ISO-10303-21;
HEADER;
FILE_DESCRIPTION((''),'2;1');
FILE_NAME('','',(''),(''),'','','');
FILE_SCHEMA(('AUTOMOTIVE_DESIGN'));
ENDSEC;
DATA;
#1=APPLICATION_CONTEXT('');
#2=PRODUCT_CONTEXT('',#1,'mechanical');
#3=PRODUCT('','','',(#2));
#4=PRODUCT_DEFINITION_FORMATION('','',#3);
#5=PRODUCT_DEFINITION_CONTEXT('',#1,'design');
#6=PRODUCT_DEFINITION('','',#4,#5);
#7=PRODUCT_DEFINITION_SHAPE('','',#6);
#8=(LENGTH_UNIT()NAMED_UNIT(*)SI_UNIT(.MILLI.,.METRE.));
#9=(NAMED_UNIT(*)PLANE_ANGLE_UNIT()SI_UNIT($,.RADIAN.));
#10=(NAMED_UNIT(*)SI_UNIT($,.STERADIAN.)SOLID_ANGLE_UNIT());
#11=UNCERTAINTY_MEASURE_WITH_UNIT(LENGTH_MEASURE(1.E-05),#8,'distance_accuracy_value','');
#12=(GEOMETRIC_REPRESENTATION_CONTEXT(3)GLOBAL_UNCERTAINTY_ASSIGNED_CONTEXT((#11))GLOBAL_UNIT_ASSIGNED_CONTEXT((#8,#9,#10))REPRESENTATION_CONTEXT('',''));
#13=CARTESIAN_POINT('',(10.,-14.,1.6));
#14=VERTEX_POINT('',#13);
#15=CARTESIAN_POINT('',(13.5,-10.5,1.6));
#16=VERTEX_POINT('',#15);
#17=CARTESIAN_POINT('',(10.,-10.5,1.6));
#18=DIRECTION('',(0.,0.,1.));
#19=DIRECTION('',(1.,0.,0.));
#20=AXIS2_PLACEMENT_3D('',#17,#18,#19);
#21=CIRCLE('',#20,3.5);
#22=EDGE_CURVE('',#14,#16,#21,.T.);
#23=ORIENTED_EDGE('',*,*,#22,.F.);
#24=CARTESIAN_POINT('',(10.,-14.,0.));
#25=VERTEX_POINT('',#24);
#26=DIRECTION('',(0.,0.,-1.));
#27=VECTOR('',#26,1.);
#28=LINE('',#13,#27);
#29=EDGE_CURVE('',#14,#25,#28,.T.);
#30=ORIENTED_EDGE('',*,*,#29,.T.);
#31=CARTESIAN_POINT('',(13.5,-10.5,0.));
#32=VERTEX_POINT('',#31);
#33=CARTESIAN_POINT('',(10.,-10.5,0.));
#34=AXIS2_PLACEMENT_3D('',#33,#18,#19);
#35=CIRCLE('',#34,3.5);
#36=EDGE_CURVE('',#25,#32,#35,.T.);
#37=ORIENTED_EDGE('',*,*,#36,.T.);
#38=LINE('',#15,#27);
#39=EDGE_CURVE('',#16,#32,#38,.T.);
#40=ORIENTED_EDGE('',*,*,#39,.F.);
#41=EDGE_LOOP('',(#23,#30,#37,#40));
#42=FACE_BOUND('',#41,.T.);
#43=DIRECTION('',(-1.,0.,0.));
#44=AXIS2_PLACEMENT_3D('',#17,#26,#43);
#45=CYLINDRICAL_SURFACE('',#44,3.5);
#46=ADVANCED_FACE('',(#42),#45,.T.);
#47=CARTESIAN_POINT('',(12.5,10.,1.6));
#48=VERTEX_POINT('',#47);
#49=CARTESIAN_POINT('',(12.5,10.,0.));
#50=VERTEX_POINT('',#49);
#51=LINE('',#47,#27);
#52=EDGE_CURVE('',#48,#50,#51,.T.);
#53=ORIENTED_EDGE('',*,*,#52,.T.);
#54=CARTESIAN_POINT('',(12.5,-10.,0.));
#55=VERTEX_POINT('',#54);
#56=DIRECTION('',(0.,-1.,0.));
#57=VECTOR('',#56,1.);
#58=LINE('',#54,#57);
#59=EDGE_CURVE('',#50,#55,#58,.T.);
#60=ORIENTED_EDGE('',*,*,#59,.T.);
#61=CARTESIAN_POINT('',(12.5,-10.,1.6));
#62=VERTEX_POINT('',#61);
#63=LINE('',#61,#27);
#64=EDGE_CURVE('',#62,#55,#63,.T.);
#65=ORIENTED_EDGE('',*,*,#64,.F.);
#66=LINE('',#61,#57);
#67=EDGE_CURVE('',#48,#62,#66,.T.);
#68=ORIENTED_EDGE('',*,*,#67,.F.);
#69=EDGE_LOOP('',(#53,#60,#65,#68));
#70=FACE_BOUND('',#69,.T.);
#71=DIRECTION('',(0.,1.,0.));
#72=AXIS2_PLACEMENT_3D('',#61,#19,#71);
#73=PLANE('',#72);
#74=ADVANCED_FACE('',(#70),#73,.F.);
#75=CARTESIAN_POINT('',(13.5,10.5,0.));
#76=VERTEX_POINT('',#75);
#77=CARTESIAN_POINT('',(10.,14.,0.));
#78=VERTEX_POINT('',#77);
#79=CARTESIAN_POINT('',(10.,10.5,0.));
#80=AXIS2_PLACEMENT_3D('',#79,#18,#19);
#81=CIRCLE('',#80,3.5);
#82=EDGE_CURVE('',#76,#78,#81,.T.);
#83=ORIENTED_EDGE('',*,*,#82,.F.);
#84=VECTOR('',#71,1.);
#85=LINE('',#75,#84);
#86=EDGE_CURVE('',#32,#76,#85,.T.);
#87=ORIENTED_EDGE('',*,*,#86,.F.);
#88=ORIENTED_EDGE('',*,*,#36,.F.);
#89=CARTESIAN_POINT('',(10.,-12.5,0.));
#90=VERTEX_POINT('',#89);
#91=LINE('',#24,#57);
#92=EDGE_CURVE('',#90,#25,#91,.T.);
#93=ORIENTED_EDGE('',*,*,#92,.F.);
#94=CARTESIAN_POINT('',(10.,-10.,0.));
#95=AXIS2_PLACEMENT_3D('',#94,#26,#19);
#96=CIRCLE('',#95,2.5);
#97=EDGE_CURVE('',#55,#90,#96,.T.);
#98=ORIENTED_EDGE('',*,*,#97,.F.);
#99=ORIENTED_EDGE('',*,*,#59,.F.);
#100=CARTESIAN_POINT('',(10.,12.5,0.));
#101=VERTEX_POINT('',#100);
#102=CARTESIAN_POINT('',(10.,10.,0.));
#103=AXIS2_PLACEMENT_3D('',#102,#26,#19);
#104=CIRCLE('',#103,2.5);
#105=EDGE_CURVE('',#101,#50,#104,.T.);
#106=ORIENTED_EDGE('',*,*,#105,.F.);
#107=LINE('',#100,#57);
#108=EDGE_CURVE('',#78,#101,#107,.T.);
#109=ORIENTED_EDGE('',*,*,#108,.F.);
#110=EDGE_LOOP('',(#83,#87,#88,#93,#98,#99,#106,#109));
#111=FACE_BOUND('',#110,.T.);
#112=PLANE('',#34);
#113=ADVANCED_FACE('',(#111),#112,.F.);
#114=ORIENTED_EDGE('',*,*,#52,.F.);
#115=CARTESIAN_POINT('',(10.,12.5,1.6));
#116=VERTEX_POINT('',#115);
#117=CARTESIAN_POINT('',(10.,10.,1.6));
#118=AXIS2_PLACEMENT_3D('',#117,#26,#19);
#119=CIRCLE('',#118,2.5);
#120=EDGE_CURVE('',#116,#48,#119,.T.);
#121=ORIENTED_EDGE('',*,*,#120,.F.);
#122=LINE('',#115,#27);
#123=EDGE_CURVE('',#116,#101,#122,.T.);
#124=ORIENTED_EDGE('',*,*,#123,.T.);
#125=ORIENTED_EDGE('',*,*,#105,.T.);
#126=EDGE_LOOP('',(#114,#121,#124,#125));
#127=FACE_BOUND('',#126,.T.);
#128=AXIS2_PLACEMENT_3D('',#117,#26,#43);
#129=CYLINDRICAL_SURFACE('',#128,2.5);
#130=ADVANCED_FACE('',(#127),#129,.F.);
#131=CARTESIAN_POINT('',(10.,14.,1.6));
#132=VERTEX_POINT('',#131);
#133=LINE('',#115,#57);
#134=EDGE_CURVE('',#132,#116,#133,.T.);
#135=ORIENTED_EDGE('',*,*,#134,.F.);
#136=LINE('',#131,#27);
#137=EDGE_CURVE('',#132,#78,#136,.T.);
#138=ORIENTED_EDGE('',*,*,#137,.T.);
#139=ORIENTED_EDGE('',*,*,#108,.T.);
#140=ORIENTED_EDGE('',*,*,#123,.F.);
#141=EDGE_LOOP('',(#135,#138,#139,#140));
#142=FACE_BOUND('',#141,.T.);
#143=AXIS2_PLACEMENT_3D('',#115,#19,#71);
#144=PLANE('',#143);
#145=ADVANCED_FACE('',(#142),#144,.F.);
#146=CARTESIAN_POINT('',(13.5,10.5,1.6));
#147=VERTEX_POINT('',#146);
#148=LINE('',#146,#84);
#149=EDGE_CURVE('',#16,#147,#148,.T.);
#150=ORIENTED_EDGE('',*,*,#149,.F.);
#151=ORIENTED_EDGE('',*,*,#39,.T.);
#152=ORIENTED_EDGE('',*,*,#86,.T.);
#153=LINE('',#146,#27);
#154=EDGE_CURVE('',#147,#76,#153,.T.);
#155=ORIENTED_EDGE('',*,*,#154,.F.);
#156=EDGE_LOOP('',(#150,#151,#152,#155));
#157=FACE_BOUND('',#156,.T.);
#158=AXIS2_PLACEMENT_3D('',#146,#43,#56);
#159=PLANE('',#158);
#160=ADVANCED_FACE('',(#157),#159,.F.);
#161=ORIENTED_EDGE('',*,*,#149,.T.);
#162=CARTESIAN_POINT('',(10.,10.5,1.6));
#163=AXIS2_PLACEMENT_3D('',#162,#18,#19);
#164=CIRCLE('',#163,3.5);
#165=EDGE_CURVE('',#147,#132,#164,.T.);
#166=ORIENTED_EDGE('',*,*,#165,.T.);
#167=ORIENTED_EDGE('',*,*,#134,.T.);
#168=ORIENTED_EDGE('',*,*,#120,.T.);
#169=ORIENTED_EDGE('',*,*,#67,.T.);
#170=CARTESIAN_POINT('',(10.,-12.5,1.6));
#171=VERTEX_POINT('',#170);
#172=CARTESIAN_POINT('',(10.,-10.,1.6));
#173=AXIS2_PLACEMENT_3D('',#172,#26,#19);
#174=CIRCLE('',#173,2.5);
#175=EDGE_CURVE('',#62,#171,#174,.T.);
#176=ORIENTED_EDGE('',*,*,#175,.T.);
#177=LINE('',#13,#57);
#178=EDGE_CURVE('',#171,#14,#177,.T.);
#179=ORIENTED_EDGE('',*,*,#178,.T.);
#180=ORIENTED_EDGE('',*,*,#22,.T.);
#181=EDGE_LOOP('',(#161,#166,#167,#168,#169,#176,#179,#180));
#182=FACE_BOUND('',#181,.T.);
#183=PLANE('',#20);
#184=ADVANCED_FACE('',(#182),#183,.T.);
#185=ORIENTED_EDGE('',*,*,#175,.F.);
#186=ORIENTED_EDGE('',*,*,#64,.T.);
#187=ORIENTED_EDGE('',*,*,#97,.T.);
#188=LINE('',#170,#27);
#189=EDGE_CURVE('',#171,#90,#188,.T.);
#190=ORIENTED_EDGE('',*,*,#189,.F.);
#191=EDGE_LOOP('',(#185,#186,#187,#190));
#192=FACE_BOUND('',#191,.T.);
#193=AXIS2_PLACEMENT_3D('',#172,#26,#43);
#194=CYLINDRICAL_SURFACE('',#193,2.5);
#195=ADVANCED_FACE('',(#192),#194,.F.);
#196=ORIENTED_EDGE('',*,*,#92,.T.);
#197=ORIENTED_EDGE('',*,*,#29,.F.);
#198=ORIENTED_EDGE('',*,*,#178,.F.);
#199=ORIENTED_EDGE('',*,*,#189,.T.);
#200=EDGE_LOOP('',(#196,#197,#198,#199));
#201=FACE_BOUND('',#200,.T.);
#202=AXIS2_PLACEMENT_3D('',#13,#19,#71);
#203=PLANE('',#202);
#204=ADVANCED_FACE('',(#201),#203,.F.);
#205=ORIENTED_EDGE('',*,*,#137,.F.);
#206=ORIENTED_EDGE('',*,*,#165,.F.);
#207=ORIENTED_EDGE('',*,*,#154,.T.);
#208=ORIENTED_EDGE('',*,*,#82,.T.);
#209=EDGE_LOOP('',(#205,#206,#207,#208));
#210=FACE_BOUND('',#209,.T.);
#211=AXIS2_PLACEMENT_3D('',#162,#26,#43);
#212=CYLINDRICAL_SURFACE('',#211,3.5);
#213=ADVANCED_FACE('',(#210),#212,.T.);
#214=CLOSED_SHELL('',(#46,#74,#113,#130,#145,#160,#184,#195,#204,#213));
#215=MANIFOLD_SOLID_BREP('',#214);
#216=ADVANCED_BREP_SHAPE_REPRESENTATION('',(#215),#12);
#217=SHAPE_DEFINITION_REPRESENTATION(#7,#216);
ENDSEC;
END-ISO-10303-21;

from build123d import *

# Parameters (mm, degrees)
BOSS_EXTRUDE1_DEPTH = 1.6


with BuildPart() as part:
    # Sketch1 → Boss-Extrude1 (new body)
    with BuildSketch(Plane.XY):
        with BuildLine():
            Line((13.5, 10.5), (13.5, -10.5))
            ThreePointArc((13.5, -10.5), (12.474873734, -12.974873734), (10, -14))
            Line((10, -14), (10, -12.5))
            ThreePointArc((10, -12.5), (11.767766953, -11.767766953), (12.5, -10))
            Line((12.5, -10), (12.5, 10))
            ThreePointArc((12.5, 10), (11.767766953, 11.767766953), (10, 12.5))
            Line((10, 12.5), (10, 14))
            ThreePointArc((10, 14), (12.474873734, 12.974873734), (13.5, 10.5))
        make_face()
    extrude(amount=BOSS_EXTRUDE1_DEPTH)


solid = part.part
